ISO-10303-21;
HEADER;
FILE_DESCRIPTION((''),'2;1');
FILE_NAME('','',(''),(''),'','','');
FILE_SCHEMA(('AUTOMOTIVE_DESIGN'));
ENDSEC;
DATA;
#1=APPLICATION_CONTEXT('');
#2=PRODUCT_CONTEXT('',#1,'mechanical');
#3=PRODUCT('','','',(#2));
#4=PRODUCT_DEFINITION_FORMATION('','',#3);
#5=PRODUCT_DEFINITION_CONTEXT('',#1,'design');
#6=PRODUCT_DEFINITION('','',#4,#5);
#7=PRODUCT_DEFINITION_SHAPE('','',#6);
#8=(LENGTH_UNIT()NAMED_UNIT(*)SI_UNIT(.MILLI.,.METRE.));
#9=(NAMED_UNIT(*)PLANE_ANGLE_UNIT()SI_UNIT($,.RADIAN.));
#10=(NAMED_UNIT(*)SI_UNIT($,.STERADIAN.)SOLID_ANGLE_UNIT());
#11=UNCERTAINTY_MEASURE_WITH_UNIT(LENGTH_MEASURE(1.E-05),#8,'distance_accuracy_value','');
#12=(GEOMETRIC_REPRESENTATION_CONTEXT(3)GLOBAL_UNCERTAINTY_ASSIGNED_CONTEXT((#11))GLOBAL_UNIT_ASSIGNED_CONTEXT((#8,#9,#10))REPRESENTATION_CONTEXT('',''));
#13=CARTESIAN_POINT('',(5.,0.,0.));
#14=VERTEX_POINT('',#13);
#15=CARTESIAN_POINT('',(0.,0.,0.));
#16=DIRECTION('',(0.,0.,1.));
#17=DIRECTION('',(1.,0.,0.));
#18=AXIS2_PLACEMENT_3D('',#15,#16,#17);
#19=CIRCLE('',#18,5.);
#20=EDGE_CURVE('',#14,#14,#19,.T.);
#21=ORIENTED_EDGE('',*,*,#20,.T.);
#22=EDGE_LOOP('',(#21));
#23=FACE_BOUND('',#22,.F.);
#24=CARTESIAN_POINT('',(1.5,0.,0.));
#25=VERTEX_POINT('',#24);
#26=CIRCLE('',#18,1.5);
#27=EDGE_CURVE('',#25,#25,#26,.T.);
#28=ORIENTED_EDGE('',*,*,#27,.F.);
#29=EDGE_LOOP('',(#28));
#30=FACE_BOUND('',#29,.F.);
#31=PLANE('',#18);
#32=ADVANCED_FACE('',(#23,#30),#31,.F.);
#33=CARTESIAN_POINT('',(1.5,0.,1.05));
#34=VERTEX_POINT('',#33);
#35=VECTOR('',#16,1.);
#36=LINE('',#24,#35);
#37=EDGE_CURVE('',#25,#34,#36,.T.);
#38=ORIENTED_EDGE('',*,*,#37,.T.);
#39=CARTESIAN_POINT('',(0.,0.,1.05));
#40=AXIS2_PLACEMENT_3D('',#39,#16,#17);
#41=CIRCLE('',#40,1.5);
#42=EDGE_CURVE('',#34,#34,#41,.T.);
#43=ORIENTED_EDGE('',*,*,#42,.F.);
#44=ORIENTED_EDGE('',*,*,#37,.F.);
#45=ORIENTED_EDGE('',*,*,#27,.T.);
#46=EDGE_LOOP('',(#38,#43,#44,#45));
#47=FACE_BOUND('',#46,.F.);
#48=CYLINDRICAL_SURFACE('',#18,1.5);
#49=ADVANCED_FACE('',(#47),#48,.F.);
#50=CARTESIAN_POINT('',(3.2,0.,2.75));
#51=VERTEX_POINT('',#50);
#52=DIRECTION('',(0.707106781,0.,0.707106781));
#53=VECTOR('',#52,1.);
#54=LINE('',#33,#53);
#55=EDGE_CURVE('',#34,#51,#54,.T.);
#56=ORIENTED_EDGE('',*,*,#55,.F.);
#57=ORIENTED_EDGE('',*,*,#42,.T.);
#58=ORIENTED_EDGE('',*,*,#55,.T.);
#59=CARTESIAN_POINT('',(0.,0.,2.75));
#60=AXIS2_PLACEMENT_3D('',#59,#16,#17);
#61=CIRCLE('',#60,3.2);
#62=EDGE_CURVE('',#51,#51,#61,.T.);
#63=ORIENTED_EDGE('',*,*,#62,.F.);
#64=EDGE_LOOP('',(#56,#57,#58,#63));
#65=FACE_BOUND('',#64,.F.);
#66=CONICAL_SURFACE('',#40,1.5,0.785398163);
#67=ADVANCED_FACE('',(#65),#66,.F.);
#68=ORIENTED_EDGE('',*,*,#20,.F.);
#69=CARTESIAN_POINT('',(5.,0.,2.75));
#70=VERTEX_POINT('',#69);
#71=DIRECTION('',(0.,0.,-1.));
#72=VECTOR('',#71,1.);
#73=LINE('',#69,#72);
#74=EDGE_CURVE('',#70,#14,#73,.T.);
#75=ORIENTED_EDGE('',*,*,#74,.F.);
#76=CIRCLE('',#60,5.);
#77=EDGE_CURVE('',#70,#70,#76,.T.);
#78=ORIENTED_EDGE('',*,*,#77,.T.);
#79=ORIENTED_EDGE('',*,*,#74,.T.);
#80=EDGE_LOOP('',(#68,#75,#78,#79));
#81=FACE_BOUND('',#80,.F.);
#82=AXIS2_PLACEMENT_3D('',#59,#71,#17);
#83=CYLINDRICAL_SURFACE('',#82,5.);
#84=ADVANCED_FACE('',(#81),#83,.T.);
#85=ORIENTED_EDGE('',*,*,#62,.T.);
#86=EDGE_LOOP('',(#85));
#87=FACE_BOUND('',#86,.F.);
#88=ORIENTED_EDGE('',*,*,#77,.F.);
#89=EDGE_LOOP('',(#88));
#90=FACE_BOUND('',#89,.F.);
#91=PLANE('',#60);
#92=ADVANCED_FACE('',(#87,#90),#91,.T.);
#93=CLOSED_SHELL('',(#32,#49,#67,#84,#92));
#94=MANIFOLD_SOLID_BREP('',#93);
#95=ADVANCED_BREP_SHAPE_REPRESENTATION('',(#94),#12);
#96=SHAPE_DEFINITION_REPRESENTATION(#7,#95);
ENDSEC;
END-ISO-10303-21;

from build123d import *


with BuildPart() as part:
    # Sketch → Revolution (revolve)
    with BuildSketch(Plane.XZ):
        Polygon((3.2, 2.75), (5, 2.75), (5, 0), (1.5, 0), (1.5, 1.05), align=None)
    revolve(axis=Axis((0, 0, 0), (0, 0, 1)))


solid = part.part
